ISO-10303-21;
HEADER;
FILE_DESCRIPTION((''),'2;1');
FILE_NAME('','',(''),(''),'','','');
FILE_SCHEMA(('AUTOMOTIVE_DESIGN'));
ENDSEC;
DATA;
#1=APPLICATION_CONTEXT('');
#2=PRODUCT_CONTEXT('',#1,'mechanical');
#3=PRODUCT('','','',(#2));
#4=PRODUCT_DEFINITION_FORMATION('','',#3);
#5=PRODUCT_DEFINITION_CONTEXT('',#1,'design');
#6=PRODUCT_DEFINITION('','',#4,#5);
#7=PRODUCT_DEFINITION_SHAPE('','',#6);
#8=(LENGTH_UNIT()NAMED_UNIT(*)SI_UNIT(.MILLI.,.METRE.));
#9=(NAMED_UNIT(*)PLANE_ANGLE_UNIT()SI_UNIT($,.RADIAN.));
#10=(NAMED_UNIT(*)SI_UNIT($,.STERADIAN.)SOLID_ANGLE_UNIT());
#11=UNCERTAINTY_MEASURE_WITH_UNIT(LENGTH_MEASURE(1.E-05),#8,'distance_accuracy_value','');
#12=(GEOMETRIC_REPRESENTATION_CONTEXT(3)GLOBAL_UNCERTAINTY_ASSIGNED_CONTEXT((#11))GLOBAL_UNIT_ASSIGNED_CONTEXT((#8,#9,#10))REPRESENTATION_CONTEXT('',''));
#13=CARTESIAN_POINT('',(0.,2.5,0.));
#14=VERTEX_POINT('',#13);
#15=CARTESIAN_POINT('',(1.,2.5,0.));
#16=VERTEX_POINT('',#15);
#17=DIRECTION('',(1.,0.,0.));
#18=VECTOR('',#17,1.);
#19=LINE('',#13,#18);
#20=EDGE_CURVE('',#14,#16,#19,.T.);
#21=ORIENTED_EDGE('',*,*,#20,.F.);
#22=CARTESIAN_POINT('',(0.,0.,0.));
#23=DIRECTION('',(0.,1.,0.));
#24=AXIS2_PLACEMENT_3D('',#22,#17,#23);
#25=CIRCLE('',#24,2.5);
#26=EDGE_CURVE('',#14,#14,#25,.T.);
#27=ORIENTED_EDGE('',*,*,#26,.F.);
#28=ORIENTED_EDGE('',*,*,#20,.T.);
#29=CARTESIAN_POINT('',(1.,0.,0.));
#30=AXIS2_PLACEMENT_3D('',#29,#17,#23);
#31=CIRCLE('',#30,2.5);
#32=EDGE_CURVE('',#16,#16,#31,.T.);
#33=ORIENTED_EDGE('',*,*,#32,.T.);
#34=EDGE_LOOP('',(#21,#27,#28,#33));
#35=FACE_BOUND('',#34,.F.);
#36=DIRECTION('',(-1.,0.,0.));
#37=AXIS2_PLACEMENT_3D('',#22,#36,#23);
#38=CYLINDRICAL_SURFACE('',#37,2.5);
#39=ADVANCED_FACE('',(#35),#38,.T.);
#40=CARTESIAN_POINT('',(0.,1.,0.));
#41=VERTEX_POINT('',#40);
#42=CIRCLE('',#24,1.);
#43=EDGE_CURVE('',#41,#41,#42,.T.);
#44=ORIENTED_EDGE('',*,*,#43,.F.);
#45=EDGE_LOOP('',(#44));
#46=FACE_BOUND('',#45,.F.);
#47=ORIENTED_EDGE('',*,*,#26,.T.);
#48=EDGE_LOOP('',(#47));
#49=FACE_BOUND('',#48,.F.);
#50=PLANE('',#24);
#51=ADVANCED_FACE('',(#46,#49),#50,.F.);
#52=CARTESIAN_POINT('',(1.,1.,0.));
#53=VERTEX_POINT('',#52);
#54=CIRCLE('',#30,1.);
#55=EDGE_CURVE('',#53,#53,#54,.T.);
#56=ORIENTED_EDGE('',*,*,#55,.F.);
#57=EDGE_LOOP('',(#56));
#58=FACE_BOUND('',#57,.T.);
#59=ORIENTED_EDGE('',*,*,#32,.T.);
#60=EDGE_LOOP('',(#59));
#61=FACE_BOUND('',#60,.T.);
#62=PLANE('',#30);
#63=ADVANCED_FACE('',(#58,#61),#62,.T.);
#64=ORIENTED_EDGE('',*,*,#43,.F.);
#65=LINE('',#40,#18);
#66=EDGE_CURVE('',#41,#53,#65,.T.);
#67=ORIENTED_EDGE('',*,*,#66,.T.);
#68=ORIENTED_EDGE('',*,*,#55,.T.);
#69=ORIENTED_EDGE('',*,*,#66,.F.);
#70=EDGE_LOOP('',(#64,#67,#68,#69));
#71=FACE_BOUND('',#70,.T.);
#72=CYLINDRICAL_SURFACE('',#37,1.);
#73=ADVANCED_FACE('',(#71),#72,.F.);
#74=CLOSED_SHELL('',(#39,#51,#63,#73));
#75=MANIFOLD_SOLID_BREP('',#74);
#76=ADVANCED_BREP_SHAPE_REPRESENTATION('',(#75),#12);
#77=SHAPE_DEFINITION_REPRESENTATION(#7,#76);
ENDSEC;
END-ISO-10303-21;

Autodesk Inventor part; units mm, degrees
ref_plane "YZ Plane" through (0, 0, 0) normal (1, 0, 0) x (0, 1, 0)
ref_plane "XZ Plane" through (0, 0, 0) normal (0, 1, 0) x (-1, 0, 0)
ref_plane "XY Plane" through (0, 0, 0) normal (0, 0, 1) x (1, 0, 0)
sketch "スケッチ1" plane through (0, 0, 0) normal (1, 0, 0) x (0, 1, 0)
  circle A0 centre (0, 0) radius 1
  circle A1 centre (0, 0) radius 2.5
  dimension "d0" = 2
  dimension "d1" = 5
extrude "押し出し1" add sketch "スケッチ1" along normal blind 1
properties part number "知能ロボコンスペーサ―" material "ABS プラスチック"
